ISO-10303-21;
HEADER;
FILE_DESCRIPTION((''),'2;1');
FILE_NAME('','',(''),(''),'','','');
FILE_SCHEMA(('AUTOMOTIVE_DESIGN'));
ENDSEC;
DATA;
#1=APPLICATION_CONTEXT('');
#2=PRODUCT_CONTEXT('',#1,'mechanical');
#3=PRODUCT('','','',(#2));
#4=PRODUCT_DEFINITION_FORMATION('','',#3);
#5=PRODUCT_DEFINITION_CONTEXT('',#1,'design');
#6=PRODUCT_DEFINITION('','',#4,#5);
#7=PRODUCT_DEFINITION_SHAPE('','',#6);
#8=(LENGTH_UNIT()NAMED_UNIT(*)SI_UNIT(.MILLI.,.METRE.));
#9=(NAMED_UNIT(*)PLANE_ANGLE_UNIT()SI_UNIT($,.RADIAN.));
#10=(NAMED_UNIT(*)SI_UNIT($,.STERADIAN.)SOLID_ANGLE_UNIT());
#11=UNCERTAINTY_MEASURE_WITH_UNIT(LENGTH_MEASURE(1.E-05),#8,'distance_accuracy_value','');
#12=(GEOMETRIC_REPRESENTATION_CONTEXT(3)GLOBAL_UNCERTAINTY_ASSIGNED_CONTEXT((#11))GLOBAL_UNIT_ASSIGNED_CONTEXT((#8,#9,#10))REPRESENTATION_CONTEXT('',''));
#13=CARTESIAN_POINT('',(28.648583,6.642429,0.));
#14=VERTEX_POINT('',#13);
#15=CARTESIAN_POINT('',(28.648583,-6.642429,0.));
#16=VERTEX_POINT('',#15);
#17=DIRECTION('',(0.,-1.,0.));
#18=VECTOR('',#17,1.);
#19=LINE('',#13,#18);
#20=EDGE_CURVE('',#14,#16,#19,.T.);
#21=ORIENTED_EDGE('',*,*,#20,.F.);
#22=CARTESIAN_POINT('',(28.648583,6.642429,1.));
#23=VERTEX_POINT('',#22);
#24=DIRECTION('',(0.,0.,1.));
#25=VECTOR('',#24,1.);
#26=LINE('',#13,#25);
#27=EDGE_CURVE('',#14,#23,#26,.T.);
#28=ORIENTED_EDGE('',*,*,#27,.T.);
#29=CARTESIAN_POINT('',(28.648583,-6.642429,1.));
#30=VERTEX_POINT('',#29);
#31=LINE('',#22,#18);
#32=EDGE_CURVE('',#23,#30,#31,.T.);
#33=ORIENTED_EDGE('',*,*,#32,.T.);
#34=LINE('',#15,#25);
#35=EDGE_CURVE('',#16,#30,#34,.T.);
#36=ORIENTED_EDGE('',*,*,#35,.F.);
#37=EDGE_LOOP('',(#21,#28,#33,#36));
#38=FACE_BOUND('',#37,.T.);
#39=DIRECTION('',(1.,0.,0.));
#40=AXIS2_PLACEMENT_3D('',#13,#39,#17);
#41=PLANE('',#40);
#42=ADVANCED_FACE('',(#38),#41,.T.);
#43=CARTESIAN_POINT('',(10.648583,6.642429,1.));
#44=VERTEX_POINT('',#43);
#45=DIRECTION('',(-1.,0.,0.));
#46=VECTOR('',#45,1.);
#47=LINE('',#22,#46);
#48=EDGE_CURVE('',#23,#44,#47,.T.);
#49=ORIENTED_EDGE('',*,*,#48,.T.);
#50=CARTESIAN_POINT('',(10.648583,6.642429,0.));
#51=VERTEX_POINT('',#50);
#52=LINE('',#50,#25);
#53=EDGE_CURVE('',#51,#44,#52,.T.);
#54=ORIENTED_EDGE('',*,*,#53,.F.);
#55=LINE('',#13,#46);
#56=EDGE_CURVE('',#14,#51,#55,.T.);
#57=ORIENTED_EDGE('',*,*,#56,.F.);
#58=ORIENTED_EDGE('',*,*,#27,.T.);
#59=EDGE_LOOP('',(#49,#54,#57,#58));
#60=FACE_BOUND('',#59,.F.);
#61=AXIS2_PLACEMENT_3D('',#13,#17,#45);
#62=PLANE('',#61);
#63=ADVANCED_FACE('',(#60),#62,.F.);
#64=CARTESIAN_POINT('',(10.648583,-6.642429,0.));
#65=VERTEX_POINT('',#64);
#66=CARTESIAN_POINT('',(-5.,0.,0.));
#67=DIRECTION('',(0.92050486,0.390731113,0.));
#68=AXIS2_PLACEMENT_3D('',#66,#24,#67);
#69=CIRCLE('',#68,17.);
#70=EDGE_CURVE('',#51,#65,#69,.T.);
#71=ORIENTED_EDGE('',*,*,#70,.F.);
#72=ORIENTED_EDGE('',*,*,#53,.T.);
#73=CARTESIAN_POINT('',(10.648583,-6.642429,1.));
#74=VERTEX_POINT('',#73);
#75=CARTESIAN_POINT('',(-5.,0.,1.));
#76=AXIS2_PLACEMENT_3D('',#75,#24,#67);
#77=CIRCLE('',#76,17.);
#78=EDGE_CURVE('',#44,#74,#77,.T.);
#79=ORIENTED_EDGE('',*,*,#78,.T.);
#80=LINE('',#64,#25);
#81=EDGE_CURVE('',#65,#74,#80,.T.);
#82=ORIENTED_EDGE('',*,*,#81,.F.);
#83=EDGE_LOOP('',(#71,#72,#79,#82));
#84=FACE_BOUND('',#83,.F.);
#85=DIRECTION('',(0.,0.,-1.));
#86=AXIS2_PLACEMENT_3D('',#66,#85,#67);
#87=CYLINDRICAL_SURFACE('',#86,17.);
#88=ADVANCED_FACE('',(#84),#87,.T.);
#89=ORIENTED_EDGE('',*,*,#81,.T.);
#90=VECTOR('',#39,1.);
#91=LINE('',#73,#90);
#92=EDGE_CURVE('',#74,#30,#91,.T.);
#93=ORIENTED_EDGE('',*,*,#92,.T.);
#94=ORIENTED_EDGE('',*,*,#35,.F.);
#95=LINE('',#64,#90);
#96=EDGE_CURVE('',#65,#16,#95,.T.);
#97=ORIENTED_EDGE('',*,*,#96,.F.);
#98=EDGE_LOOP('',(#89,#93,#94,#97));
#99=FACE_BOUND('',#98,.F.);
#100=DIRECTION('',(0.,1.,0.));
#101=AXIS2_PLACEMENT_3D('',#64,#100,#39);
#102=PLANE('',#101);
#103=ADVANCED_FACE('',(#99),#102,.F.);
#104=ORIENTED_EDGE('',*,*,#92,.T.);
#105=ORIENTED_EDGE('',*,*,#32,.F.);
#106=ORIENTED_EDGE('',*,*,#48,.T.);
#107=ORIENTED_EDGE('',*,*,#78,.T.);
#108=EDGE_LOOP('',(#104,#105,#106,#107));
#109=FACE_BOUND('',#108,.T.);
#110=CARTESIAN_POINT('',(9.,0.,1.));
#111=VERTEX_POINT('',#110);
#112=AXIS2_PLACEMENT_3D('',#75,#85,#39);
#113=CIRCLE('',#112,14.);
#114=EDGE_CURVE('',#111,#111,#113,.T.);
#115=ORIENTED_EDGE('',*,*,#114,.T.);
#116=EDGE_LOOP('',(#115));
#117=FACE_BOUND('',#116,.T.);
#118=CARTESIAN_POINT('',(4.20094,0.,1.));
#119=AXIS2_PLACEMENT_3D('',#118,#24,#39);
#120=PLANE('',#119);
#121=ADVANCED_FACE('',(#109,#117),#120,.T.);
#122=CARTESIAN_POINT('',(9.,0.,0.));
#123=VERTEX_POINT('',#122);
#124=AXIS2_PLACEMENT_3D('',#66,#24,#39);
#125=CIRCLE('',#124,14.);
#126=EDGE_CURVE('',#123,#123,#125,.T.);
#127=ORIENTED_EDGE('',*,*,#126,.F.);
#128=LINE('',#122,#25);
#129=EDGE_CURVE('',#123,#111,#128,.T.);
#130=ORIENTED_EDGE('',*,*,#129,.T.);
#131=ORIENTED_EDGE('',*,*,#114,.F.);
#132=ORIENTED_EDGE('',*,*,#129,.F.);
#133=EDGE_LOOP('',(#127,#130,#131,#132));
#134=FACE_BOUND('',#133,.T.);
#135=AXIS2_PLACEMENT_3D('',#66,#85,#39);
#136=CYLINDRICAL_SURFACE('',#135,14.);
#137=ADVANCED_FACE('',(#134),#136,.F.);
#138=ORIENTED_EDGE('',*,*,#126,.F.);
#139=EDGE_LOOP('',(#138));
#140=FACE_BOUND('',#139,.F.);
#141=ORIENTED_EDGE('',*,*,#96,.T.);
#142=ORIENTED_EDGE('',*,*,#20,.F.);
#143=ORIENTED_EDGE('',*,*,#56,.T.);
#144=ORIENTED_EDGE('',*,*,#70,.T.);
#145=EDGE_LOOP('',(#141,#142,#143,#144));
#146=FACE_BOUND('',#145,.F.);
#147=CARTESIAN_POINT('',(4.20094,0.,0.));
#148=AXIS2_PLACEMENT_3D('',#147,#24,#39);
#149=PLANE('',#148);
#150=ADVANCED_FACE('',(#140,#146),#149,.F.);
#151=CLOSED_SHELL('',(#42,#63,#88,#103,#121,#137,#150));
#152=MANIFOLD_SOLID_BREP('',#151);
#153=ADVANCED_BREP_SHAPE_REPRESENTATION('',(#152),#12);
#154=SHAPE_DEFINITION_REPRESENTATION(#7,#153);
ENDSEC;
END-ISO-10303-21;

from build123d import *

# Parameters (mm, degrees)
PAD_DEPTH    = 1
SKETCH_R     = 14
POCKET_DEPTH = 1.001


with BuildPart() as part:
    # Sketch004 → Pad (new body)
    with BuildSketch(Plane.XY):
        with BuildLine():
            Line((28.648583, 6.642429), (10.648583, 6.642429))
            ThreePointArc((10.648583, 6.642429), (-22, 0), (10.648583, -6.642429))
            Line((10.648583, -6.642429), (28.648583, -6.642429))
            Line((28.648583, 0), (28.648583, -6.642429))
            Line((28.648583, 6.642429), (28.648583, 0))
        make_face()
    extrude(amount=PAD_DEPTH)

    # Sketch → Pocket (cut, through all)
    with BuildSketch(Plane.XY):
        with Locations((-5, 0)):
            Circle(SKETCH_R)
    extrude(amount=POCKET_DEPTH, mode=Mode.SUBTRACT)


solid = part.part
